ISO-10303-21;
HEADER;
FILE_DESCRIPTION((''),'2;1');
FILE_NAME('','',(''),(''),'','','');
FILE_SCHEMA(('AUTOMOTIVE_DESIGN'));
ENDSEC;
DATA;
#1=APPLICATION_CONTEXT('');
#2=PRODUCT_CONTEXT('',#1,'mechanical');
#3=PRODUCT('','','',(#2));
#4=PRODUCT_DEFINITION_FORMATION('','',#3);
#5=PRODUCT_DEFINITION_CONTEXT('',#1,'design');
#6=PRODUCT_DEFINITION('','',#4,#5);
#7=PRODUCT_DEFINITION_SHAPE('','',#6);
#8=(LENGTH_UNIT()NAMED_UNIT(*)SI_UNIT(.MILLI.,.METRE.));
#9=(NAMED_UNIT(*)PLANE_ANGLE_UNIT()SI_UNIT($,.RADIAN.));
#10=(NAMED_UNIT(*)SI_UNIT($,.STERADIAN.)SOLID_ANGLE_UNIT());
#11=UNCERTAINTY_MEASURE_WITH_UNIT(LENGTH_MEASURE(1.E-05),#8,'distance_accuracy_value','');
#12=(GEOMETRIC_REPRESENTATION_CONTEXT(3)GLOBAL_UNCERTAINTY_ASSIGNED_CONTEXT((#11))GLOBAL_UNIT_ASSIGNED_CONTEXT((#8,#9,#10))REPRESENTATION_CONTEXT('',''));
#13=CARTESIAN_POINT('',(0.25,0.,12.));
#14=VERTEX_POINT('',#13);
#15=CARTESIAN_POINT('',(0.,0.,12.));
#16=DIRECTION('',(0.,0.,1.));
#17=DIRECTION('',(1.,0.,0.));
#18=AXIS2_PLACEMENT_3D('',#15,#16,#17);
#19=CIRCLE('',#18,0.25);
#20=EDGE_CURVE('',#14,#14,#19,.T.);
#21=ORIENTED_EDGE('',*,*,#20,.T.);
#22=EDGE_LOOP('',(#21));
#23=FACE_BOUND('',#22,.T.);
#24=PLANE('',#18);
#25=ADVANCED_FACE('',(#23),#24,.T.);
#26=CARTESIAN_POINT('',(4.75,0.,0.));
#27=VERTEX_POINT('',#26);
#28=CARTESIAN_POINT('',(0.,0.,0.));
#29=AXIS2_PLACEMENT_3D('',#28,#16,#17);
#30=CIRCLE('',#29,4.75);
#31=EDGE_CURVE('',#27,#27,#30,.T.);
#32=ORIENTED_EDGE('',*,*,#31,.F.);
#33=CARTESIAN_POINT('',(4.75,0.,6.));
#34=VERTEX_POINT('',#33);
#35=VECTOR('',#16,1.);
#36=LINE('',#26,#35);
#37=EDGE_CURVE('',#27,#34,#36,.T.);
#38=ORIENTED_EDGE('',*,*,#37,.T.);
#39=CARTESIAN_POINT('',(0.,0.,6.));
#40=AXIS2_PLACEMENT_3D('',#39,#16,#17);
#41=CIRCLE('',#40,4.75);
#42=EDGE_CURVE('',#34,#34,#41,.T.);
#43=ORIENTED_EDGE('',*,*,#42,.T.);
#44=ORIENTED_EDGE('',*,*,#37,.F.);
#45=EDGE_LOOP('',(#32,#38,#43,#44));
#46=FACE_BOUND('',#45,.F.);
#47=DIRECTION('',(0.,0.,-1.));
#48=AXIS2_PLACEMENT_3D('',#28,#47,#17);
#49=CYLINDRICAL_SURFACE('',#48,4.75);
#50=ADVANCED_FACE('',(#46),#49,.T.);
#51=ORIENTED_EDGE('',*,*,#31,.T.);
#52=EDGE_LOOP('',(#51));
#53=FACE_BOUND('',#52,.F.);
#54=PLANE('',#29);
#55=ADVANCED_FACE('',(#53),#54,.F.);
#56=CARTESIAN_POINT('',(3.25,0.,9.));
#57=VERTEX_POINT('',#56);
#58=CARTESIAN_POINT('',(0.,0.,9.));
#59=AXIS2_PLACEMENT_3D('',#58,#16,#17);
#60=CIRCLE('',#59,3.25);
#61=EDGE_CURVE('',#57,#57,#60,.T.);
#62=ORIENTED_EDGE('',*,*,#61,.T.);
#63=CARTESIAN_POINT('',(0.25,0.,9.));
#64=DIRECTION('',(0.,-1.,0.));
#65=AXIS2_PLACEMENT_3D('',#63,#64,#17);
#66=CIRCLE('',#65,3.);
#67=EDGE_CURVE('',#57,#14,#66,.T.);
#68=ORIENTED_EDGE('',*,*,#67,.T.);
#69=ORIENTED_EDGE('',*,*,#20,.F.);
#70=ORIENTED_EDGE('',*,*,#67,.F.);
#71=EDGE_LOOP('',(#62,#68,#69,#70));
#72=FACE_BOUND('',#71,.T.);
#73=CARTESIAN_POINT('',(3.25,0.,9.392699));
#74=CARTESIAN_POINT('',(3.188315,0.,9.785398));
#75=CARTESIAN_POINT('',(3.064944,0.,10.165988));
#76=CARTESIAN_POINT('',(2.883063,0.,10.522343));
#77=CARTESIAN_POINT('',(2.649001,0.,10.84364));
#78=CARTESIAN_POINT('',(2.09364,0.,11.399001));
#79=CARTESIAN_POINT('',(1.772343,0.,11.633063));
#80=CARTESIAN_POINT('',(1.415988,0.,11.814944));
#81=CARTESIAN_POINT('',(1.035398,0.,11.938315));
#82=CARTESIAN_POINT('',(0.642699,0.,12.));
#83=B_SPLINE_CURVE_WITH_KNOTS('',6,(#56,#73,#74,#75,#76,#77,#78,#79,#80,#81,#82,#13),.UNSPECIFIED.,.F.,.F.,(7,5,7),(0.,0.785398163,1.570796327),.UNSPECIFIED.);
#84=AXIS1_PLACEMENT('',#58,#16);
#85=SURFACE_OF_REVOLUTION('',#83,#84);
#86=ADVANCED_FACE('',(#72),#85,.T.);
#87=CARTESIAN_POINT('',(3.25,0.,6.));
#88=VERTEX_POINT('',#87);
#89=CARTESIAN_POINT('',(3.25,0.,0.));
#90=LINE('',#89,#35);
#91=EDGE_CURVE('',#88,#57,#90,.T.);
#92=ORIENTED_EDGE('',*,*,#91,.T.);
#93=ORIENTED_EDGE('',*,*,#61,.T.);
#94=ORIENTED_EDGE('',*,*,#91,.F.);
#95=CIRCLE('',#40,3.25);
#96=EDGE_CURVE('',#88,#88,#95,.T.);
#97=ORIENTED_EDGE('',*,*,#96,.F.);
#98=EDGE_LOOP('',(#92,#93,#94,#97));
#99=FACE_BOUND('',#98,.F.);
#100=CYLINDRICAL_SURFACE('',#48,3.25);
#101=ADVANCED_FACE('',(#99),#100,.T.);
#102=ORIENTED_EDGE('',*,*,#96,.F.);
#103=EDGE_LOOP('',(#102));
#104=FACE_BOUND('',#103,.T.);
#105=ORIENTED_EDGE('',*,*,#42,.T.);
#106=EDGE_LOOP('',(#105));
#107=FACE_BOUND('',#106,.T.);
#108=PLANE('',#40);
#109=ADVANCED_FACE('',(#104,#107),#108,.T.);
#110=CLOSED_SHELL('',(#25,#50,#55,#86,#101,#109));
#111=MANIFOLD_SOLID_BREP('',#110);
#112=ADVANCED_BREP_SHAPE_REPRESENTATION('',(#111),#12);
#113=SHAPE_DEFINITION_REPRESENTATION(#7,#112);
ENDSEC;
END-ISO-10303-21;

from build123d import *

# Parameters (mm, degrees)
F0_R     = 3.25
F1_DEPTH = 12
F0_R_2   = 4.75
F2_DEPTH = 6
F3_R     = 3


with BuildPart() as f1:
    # F0 (on Top) → F1 (new body)
    with BuildSketch(Plane.XY):
        Circle(F0_R)
    extrude(amount=F1_DEPTH)

    # F0 (on Top) → F2 (join)
    with BuildSketch(Plane.XY):
        Circle(F0_R_2)
        Circle(F0_R, mode=Mode.SUBTRACT)
    extrude(amount=F2_DEPTH)

    # F3
    f3_edges = [f1.edges().sort_by_distance(p)[0] for p in [
        (-3.25, 0, 12),
    ]]
    fillet(f3_edges, radius=F3_R)


solid = f1.part
